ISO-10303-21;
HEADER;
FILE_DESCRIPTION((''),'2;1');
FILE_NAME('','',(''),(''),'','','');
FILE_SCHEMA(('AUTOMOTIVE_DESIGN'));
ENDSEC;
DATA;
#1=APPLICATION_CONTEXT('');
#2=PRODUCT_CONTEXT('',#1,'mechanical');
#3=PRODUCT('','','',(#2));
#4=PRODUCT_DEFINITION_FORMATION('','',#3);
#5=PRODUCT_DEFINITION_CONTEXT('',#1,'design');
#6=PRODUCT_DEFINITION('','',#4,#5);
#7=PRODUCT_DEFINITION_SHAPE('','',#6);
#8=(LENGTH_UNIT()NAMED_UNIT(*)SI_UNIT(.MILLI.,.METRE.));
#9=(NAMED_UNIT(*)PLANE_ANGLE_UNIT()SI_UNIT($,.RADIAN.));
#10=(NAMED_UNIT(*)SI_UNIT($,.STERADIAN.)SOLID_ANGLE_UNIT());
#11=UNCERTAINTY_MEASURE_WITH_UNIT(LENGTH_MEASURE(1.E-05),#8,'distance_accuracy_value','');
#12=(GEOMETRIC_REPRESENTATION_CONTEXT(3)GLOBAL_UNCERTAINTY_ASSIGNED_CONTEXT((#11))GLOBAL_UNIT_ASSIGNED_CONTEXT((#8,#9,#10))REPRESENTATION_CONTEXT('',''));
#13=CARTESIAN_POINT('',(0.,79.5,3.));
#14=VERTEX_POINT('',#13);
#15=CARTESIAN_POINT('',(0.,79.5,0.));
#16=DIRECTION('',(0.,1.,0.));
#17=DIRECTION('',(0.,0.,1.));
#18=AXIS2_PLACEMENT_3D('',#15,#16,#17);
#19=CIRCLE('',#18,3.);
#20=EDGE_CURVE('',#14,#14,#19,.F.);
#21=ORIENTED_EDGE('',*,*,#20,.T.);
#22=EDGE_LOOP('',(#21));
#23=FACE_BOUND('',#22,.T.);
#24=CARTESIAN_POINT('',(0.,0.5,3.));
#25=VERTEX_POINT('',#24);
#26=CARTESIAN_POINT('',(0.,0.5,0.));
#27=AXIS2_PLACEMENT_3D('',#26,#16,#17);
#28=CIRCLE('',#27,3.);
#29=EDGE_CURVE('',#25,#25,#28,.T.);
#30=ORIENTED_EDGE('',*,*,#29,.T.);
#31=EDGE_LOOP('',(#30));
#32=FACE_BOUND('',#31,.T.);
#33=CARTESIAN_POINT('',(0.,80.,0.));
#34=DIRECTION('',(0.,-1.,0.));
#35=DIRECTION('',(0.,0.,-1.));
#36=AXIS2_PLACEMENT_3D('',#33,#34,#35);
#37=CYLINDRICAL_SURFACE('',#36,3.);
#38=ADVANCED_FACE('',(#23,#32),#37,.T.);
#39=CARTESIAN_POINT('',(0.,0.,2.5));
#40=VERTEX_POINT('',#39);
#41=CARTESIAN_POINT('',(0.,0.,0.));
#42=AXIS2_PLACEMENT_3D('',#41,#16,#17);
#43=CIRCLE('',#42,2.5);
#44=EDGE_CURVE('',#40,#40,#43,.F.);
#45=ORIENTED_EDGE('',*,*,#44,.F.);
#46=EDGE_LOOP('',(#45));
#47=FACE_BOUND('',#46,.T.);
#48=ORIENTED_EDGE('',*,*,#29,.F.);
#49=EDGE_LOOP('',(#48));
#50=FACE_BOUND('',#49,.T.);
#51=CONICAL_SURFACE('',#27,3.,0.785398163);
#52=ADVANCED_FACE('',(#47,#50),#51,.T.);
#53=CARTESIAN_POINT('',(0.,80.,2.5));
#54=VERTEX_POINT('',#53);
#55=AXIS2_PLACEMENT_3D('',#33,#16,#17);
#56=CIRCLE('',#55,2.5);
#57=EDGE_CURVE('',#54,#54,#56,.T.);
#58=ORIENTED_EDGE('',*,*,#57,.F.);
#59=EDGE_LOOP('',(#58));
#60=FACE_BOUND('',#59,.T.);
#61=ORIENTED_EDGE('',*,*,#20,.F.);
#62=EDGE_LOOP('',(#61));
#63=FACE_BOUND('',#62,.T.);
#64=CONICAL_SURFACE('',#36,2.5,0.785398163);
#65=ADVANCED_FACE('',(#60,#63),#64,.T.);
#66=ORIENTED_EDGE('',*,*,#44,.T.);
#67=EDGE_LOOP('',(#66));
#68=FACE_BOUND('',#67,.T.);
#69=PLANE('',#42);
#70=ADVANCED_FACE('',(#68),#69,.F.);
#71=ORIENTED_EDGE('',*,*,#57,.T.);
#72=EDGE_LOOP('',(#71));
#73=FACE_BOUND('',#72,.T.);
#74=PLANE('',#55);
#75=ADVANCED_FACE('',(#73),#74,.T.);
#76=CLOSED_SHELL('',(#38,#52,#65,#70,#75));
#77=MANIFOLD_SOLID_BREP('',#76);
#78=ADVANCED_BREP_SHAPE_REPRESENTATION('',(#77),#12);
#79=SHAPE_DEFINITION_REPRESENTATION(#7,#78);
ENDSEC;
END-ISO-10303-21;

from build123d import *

# Parameters (mm, degrees)
SKETCH1_R           = 3
BOSS_EXTRUDE1_DEPTH = 80
CHAMFER1_SIZE       = 0.5


with BuildPart() as part:
    # Sketch1 → Boss-Extrude1 (new body)
    with BuildSketch(Plane(origin=(0, 0, 0), x_dir=(1, 0, 0), z_dir=(0, 1, 0))):
        Circle(SKETCH1_R)
    extrude(amount=BOSS_EXTRUDE1_DEPTH)

    # Chamfer1
    chamfer1_edges = [part.edges().sort_by_distance(p)[0] for p in [
        (-3, 0, 0),
        (-3, 80, 0),
    ]]
    chamfer(chamfer1_edges, length=CHAMFER1_SIZE)


solid = part.part
